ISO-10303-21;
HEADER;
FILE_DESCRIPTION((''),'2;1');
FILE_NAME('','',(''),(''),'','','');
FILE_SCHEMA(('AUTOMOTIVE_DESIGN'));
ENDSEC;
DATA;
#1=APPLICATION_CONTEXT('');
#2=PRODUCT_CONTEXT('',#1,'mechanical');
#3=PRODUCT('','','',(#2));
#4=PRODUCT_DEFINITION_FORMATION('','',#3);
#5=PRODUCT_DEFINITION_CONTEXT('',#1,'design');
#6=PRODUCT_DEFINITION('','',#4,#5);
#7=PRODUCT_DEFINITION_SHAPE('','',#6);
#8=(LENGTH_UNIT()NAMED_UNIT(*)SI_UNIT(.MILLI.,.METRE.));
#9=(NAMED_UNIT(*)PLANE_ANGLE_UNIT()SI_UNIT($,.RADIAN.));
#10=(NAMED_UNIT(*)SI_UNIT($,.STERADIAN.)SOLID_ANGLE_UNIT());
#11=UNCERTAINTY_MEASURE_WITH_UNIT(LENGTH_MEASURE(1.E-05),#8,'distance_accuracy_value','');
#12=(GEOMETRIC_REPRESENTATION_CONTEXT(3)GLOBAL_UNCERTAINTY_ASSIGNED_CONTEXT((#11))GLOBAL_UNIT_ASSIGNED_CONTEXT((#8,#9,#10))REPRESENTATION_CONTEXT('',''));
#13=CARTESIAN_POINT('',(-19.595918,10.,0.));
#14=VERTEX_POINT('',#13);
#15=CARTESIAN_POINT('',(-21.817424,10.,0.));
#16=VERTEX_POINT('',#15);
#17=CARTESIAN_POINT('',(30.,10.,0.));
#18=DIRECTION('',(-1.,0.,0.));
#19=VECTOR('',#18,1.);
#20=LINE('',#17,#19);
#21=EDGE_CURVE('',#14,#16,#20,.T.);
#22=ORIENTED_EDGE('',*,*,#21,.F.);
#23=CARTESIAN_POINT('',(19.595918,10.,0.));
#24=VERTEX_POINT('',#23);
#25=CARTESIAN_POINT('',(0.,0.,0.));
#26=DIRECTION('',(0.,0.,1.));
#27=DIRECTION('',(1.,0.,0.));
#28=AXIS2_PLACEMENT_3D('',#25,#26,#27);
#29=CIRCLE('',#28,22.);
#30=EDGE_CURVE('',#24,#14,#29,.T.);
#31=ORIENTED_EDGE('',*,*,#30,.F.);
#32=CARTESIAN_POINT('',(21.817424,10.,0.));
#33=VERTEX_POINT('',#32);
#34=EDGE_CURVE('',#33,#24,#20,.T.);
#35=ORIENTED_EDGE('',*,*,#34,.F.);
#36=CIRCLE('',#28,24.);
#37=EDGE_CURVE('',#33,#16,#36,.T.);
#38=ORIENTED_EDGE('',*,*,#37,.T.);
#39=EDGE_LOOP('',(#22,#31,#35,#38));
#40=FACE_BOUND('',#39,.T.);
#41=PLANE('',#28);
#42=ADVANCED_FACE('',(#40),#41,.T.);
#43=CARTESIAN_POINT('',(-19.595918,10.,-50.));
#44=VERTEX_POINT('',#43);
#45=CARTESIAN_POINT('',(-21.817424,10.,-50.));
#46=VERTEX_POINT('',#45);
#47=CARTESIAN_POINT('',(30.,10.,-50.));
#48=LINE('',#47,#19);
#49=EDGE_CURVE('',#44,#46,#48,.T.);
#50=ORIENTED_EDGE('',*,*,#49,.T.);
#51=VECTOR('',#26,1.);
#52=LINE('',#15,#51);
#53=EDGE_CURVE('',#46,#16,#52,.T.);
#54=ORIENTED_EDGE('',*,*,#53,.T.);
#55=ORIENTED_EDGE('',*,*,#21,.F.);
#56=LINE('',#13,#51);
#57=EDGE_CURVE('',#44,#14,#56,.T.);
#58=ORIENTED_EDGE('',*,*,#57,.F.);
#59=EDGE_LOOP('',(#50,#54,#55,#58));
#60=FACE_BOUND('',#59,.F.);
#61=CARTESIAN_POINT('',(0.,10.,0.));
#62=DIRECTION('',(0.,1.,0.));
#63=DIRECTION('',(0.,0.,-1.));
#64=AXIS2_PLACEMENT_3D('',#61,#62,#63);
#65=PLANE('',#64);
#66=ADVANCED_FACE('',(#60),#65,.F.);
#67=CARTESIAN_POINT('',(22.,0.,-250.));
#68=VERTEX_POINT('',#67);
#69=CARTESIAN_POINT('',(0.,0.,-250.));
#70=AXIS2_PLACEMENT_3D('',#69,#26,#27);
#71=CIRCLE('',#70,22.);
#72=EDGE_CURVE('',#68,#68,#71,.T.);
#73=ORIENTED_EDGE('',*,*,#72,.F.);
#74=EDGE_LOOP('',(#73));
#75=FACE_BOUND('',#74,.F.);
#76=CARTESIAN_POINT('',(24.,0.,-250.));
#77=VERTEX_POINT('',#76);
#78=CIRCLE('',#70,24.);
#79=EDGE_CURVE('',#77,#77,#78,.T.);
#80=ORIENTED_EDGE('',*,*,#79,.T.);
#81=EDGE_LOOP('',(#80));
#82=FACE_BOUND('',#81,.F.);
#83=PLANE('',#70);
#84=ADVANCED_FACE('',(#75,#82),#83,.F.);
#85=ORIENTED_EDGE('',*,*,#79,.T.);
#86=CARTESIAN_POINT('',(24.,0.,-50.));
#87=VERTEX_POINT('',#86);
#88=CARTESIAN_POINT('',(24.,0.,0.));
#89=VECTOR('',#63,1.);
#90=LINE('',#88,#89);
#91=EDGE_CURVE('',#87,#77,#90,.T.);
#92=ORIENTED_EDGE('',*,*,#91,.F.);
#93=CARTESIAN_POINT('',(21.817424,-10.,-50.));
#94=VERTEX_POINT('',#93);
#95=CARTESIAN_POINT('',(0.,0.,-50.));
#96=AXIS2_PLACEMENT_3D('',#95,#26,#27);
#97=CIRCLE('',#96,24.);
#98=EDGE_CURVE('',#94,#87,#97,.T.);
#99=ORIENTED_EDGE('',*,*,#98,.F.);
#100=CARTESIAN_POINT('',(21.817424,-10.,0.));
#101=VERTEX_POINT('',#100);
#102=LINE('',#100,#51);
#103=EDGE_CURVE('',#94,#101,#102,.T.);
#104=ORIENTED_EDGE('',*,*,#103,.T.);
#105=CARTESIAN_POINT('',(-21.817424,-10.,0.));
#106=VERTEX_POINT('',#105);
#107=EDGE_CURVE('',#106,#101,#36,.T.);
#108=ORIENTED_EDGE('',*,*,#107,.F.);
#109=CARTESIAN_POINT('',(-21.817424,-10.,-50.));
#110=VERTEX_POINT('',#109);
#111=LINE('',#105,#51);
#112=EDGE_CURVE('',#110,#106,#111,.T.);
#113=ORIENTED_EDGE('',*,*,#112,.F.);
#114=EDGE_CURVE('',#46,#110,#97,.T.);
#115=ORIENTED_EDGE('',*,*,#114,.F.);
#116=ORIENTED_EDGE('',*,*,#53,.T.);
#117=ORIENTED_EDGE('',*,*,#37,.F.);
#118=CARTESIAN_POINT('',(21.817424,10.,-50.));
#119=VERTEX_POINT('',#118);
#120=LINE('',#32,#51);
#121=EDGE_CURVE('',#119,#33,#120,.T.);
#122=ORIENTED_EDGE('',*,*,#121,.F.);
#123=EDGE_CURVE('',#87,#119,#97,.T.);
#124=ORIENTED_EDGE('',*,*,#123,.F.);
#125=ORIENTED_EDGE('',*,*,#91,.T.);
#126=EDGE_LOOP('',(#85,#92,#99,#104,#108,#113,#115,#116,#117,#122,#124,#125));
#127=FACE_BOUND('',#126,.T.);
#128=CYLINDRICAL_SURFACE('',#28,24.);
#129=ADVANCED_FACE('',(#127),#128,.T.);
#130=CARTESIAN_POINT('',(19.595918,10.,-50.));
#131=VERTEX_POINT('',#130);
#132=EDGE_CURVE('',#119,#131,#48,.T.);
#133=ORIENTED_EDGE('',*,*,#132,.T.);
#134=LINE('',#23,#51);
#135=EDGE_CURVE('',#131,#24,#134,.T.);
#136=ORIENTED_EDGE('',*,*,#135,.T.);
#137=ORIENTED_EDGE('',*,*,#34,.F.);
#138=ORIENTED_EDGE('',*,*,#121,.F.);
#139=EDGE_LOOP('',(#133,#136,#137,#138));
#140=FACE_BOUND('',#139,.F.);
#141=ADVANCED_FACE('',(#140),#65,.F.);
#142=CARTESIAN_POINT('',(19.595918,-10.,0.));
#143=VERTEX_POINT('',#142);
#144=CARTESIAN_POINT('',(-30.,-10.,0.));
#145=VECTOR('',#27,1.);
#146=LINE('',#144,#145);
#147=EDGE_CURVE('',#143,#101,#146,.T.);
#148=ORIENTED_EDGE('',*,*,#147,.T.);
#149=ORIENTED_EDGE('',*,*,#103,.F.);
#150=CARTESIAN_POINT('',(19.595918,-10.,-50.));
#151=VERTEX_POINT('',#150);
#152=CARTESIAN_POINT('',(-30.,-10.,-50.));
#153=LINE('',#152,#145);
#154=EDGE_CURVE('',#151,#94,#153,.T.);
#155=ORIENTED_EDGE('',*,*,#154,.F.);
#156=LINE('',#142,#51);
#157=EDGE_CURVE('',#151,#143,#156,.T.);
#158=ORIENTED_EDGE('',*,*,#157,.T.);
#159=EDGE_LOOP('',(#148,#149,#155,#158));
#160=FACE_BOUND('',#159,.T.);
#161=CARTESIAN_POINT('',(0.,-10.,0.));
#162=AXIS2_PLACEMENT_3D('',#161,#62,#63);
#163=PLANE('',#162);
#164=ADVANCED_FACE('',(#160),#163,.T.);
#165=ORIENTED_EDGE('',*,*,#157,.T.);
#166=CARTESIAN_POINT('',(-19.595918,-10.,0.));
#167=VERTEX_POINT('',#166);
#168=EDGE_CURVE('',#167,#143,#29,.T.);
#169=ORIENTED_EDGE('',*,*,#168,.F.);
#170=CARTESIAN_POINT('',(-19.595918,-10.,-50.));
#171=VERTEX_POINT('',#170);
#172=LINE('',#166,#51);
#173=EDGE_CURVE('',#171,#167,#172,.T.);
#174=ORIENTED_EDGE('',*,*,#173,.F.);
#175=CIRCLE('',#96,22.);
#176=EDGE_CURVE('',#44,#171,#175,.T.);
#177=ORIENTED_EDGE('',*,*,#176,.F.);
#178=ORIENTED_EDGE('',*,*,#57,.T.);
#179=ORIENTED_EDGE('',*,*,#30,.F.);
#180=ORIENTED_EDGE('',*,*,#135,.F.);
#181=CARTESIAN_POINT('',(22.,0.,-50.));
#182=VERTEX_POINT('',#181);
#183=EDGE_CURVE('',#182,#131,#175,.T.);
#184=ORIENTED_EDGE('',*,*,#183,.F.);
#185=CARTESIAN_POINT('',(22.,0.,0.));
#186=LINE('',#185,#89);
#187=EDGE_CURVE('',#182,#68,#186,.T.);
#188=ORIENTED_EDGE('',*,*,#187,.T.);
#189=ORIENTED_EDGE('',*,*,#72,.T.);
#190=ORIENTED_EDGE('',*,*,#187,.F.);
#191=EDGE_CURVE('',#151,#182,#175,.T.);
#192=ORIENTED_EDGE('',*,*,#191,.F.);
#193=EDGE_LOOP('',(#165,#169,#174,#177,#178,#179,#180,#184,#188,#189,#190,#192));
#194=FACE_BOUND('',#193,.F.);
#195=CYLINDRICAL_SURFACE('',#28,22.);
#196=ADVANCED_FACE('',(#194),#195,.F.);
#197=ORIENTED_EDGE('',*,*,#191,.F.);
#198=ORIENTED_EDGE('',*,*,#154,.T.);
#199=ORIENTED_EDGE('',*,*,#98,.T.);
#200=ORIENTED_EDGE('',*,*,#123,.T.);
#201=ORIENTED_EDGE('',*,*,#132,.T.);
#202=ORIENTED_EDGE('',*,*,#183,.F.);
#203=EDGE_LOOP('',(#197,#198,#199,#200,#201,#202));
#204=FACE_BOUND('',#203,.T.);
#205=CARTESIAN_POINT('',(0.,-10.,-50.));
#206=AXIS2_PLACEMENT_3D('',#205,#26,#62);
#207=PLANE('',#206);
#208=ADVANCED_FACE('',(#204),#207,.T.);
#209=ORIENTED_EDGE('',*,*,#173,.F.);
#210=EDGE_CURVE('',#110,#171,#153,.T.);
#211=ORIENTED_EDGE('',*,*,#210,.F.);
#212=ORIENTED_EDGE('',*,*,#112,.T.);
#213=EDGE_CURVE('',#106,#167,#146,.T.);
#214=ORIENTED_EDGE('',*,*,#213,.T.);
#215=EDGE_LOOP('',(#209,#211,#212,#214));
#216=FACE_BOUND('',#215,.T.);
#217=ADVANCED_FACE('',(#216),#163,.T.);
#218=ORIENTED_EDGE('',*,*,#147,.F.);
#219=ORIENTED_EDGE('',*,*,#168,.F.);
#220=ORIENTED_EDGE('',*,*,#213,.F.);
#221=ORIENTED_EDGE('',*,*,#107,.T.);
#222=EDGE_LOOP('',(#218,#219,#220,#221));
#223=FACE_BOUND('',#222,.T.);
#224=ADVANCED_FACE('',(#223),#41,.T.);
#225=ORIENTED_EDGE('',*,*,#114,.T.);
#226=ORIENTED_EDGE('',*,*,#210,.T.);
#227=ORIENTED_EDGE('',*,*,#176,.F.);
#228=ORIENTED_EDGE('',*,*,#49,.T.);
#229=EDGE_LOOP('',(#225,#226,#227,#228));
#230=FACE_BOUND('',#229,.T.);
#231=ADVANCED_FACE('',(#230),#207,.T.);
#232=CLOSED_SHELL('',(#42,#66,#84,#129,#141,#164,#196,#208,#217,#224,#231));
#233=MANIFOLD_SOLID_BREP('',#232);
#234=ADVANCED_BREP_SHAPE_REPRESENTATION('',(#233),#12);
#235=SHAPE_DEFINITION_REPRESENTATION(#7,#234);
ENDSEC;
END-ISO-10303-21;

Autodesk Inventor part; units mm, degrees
ref_plane "YZ Plane" through (0, 0, 0) normal (1, 0, 0) x (0, 1, 0)
ref_plane "XZ Plane" through (0, 0, 0) normal (0, 1, 0) x (-1, 0, 0)
ref_plane "XY Plane" through (0, 0, 0) normal (0, 0, 1) x (1, 0, 0)
sketch "Boceto1" plane through (0, 0, 0) normal (0, 0, 1) x (1, 0, 0)
  circle A0 centre (0, 0) radius 24
  dimension "d0" = 48
extrude "Extrusión1" add sketch "Boceto1" against normal blind 250
shell "Vaciado1" thickness 2 removed faces 2 at (5.9881, 2.1306, 0) at (5.9881, 2.1306, -250)
sketch "Boceto2" plane through (0, 0, 0) normal (1, 0, 0) x (0, 1, 0)
  line L0 (-24, -250) -> (24, -250) projected
  line L1 (-24, 0) -> (24, 0) projected
  line L2 (-24, 0) -> (24, 0) projected
  line L3 (0, 0) -> (10, 0)
  line L4 (10, 0) -> (10, -50)
  line L5 (10, -50) -> (0, -50)
  line L6 (0, -50) -> (0, 0)
  line L7 (0, 0) -> (-10, 0)
  line L8 (-10, 0) -> (-10, -50)
  line L9 (-10, -50) -> (0, -50)
  line L10 (0, -50) -> (0, 0)
  dimension "d4" = 10
  dimension "d5" = 50
  dimension "d6" = 10
  dimension "d7" = 50
extrude "Extrusión2" cut sketch "Boceto2" along normal mid plane 60
properties part number "Cañón" material "Tuberías de PVC"
